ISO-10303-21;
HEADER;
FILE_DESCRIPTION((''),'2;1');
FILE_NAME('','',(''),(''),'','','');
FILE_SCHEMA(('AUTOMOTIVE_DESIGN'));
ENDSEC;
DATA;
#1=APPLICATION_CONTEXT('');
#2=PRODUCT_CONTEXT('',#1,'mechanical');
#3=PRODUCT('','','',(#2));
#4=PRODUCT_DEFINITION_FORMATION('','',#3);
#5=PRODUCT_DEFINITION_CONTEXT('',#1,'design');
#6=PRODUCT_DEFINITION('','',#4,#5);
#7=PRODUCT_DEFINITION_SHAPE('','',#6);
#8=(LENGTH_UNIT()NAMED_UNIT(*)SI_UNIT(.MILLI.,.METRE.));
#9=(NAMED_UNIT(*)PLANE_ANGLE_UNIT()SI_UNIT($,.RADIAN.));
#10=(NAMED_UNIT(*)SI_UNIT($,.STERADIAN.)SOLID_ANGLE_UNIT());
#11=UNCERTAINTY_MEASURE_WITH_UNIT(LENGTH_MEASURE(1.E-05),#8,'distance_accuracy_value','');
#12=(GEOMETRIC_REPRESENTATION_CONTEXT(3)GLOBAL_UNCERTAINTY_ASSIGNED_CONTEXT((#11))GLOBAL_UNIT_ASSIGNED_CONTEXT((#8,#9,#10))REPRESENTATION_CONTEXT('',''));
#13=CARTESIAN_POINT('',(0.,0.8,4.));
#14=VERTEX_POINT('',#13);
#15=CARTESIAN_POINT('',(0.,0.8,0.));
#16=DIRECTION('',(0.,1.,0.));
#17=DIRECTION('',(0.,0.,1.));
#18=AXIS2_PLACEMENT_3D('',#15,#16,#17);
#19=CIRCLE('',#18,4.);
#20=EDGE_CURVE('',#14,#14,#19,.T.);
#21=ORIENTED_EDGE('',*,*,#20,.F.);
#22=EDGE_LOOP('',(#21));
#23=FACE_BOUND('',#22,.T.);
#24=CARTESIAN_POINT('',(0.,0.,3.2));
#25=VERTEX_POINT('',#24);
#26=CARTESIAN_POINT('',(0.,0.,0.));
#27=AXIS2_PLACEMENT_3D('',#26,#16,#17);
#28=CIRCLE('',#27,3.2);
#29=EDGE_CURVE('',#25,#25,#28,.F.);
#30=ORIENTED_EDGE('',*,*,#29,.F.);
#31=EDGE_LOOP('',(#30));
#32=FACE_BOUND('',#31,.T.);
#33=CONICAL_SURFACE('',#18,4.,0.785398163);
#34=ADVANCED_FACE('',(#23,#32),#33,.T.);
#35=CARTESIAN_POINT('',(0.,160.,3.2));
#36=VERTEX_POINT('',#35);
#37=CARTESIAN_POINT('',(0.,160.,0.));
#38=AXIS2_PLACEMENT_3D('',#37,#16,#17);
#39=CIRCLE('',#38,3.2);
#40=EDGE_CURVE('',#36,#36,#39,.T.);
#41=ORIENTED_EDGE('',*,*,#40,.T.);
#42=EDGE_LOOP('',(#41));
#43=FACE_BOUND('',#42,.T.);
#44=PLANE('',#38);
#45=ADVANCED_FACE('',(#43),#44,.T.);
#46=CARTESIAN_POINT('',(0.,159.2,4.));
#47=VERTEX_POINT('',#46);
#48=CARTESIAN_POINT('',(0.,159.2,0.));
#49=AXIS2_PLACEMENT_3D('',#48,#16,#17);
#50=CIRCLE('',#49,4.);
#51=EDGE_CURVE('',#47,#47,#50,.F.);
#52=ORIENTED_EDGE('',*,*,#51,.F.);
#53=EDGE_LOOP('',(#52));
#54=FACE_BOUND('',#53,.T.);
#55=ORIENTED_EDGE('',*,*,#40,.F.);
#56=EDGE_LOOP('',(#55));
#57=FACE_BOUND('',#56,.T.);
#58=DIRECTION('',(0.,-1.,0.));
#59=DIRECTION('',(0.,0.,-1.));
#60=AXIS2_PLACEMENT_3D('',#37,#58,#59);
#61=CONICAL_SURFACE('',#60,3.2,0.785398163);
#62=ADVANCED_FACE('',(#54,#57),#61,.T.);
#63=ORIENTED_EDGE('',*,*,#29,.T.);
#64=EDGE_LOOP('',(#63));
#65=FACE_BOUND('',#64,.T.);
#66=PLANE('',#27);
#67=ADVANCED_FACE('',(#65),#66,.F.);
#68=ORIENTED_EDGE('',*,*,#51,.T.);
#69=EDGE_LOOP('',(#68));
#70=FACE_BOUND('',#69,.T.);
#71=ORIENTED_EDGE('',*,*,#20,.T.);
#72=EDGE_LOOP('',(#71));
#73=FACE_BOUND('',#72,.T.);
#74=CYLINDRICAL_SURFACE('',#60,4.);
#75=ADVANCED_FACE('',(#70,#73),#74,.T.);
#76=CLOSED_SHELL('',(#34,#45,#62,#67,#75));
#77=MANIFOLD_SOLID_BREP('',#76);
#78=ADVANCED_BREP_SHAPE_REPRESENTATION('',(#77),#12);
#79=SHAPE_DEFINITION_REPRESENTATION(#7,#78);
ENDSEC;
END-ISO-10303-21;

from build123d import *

# Parameters (mm, degrees)
SKETCH1_R           = 4
BOSS_EXTRUDE1_DEPTH = 160
CHAMFER1_SIZE       = 0.8


with BuildPart() as part:
    # Sketch1 → Boss-Extrude1 (new body)
    with BuildSketch(Plane(origin=(0, 0, 0), x_dir=(1, 0, 0), z_dir=(0, 1, 0))):
        with Locations(Location((0, 0, 0), (0, 0, 270))):
            Circle(SKETCH1_R)
    extrude(amount=BOSS_EXTRUDE1_DEPTH)

    # Chamfer1
    chamfer1_edges = [part.edges().sort_by_distance(p)[0] for p in [
        (0, 0, -4),
        (0, 160, -4),
    ]]
    chamfer(chamfer1_edges, length=CHAMFER1_SIZE)


solid = part.part
